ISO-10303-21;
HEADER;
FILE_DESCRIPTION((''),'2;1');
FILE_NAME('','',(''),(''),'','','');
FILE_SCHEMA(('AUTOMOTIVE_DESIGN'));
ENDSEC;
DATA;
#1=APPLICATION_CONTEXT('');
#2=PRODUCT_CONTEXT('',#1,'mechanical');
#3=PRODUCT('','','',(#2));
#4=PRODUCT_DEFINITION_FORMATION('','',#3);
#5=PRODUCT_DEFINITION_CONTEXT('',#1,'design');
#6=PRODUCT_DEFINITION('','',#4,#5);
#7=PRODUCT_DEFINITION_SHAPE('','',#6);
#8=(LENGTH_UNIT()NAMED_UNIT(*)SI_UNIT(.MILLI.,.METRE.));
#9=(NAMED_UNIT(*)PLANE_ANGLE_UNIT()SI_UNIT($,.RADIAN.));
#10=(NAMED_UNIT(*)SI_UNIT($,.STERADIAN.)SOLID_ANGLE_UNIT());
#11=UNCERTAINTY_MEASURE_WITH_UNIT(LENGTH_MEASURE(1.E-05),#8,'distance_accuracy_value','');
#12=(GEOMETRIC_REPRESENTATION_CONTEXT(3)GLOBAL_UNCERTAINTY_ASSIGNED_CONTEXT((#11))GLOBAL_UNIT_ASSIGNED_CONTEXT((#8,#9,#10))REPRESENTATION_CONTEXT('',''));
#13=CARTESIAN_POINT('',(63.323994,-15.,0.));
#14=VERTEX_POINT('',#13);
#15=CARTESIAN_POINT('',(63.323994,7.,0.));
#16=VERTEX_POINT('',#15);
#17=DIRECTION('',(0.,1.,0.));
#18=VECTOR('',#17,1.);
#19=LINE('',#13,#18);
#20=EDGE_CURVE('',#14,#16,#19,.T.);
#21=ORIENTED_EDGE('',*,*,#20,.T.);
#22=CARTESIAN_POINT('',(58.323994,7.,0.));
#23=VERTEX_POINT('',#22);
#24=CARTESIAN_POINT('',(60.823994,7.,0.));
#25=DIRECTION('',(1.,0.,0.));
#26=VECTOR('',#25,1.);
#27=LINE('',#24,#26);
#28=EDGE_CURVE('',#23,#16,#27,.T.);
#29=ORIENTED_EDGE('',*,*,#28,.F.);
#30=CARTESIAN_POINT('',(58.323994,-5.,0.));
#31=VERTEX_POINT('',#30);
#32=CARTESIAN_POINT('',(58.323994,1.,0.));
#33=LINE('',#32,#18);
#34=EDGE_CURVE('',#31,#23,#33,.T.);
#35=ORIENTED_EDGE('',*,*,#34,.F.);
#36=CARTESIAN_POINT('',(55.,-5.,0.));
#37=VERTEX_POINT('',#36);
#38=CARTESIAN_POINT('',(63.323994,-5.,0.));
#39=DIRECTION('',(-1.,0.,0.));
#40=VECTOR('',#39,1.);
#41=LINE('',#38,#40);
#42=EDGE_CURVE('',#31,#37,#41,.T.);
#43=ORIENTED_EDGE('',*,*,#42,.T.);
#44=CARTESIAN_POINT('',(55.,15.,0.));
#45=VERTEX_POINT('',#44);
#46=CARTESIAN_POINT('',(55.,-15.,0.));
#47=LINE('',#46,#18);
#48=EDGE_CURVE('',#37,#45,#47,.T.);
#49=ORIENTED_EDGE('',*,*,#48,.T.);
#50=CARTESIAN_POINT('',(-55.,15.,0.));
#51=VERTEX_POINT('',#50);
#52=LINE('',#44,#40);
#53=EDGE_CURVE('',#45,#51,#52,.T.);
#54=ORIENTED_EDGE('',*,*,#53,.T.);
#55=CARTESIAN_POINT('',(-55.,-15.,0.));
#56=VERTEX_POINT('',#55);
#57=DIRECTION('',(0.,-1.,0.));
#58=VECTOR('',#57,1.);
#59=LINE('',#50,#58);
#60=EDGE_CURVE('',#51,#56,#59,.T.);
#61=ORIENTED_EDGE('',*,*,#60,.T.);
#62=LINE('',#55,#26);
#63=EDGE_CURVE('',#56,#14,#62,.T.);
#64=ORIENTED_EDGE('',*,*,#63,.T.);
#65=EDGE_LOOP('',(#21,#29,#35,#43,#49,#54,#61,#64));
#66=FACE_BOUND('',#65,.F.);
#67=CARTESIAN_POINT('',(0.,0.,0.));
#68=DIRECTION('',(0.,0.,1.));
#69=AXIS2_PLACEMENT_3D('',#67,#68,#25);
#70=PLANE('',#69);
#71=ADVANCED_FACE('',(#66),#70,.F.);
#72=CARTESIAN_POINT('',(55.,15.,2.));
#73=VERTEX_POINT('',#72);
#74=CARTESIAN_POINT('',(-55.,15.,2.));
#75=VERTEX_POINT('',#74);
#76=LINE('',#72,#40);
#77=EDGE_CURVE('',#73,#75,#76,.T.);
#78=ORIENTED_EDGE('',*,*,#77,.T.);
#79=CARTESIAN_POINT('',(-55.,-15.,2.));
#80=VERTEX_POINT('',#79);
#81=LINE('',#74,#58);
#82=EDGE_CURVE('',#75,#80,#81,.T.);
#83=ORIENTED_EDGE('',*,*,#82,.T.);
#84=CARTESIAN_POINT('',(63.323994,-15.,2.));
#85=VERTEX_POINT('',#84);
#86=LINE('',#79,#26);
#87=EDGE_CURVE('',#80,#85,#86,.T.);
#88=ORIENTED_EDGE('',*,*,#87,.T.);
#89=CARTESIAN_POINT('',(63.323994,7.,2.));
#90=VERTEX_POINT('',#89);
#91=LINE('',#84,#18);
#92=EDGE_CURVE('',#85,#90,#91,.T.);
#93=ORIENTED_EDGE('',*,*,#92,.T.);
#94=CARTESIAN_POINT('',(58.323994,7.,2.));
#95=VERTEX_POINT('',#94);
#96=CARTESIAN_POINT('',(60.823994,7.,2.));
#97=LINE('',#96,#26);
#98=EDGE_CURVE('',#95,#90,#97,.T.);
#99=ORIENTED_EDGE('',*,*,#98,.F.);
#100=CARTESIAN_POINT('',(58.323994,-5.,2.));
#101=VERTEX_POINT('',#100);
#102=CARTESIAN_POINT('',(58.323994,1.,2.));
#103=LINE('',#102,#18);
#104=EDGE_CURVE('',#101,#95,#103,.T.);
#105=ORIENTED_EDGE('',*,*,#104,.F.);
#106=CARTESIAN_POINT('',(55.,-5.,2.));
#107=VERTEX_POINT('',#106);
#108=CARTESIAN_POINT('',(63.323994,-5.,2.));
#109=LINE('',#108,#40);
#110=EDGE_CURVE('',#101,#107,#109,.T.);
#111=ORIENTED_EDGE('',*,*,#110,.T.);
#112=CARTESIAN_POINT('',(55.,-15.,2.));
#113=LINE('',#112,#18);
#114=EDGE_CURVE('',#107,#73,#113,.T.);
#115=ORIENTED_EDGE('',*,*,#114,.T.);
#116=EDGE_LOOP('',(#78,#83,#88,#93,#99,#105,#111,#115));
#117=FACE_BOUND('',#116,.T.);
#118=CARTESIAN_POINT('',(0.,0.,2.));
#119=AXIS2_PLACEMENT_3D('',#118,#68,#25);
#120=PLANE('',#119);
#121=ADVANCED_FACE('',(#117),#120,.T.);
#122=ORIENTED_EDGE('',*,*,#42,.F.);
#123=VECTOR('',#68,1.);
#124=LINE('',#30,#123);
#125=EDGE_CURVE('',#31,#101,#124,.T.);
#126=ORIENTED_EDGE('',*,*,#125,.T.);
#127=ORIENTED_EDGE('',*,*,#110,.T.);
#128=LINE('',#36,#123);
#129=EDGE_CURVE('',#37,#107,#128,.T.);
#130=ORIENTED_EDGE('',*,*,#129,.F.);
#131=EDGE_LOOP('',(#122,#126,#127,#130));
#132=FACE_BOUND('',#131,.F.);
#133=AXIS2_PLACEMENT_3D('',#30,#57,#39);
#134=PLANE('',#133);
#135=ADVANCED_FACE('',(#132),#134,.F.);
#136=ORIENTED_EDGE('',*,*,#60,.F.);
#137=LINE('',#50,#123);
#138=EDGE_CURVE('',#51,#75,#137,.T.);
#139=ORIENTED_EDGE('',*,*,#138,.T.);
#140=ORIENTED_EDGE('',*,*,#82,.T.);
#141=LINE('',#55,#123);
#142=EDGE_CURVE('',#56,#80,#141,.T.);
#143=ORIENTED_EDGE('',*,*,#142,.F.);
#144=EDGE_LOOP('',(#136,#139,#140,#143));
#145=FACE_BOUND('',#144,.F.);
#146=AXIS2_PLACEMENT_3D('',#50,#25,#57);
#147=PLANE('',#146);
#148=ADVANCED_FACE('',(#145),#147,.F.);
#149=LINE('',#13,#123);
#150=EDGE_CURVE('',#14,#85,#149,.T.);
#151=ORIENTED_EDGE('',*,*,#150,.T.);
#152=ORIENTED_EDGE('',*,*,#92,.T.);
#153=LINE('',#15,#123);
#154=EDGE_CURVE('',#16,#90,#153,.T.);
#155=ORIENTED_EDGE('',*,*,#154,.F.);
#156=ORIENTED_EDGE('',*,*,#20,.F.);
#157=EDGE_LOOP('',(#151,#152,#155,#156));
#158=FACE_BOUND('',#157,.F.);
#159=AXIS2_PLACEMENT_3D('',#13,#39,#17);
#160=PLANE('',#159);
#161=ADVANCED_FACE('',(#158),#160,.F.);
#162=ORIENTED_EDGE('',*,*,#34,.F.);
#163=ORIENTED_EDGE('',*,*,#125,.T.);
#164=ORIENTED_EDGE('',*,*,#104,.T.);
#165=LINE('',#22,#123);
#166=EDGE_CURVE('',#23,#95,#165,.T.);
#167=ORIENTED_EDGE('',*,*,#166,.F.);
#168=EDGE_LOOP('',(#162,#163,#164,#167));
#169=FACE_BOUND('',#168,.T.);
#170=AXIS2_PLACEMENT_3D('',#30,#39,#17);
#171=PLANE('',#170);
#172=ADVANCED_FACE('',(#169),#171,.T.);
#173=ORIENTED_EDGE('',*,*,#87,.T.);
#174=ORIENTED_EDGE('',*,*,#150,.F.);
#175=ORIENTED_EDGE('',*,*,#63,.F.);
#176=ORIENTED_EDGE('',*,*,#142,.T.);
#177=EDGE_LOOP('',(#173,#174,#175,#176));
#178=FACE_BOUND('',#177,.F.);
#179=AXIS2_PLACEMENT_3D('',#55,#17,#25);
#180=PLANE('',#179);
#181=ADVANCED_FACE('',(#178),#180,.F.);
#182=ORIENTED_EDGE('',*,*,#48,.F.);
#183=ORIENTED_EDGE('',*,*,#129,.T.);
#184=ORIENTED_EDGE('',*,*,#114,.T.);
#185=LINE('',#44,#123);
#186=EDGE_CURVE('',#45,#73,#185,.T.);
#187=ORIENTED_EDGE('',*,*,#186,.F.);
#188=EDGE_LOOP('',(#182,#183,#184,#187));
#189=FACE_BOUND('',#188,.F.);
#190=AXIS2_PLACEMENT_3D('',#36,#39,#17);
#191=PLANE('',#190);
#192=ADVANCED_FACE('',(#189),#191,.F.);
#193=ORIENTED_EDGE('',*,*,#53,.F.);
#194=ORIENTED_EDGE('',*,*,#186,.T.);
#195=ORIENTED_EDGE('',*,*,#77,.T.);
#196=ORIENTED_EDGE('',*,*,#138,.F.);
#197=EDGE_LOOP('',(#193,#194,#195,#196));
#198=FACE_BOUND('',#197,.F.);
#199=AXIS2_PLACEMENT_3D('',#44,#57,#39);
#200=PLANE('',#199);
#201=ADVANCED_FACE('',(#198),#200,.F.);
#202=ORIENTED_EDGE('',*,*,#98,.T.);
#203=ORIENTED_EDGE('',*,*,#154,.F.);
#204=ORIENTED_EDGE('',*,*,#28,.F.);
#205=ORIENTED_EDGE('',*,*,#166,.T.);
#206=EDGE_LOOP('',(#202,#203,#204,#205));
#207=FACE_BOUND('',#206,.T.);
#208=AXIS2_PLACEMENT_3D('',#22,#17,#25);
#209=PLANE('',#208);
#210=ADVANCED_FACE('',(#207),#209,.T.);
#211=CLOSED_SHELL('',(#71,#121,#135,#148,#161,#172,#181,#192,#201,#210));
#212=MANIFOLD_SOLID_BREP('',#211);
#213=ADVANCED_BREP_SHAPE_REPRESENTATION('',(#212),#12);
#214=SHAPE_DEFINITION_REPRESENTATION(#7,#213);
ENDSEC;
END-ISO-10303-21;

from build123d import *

# Parameters (mm, degrees)
F0_W     = 5
F0_H     = 12
F1_DEPTH = 2


with BuildPart() as f1:
    # F0 (on Top) → F1 (new body)
    with BuildSketch(Plane.XY):
        Polygon((55, 15), (-55, 15), (-55, -15), (55, -15), (55, -5), align=None)
        Polygon((58.323994, -5), (55, -5), (55, -15), (63.323994, -15), (63.323994, -5), align=None)
        with Locations((60.823994, 1)):
            Rectangle(F0_W, F0_H)
    extrude(amount=F1_DEPTH)


solid = f1.part
